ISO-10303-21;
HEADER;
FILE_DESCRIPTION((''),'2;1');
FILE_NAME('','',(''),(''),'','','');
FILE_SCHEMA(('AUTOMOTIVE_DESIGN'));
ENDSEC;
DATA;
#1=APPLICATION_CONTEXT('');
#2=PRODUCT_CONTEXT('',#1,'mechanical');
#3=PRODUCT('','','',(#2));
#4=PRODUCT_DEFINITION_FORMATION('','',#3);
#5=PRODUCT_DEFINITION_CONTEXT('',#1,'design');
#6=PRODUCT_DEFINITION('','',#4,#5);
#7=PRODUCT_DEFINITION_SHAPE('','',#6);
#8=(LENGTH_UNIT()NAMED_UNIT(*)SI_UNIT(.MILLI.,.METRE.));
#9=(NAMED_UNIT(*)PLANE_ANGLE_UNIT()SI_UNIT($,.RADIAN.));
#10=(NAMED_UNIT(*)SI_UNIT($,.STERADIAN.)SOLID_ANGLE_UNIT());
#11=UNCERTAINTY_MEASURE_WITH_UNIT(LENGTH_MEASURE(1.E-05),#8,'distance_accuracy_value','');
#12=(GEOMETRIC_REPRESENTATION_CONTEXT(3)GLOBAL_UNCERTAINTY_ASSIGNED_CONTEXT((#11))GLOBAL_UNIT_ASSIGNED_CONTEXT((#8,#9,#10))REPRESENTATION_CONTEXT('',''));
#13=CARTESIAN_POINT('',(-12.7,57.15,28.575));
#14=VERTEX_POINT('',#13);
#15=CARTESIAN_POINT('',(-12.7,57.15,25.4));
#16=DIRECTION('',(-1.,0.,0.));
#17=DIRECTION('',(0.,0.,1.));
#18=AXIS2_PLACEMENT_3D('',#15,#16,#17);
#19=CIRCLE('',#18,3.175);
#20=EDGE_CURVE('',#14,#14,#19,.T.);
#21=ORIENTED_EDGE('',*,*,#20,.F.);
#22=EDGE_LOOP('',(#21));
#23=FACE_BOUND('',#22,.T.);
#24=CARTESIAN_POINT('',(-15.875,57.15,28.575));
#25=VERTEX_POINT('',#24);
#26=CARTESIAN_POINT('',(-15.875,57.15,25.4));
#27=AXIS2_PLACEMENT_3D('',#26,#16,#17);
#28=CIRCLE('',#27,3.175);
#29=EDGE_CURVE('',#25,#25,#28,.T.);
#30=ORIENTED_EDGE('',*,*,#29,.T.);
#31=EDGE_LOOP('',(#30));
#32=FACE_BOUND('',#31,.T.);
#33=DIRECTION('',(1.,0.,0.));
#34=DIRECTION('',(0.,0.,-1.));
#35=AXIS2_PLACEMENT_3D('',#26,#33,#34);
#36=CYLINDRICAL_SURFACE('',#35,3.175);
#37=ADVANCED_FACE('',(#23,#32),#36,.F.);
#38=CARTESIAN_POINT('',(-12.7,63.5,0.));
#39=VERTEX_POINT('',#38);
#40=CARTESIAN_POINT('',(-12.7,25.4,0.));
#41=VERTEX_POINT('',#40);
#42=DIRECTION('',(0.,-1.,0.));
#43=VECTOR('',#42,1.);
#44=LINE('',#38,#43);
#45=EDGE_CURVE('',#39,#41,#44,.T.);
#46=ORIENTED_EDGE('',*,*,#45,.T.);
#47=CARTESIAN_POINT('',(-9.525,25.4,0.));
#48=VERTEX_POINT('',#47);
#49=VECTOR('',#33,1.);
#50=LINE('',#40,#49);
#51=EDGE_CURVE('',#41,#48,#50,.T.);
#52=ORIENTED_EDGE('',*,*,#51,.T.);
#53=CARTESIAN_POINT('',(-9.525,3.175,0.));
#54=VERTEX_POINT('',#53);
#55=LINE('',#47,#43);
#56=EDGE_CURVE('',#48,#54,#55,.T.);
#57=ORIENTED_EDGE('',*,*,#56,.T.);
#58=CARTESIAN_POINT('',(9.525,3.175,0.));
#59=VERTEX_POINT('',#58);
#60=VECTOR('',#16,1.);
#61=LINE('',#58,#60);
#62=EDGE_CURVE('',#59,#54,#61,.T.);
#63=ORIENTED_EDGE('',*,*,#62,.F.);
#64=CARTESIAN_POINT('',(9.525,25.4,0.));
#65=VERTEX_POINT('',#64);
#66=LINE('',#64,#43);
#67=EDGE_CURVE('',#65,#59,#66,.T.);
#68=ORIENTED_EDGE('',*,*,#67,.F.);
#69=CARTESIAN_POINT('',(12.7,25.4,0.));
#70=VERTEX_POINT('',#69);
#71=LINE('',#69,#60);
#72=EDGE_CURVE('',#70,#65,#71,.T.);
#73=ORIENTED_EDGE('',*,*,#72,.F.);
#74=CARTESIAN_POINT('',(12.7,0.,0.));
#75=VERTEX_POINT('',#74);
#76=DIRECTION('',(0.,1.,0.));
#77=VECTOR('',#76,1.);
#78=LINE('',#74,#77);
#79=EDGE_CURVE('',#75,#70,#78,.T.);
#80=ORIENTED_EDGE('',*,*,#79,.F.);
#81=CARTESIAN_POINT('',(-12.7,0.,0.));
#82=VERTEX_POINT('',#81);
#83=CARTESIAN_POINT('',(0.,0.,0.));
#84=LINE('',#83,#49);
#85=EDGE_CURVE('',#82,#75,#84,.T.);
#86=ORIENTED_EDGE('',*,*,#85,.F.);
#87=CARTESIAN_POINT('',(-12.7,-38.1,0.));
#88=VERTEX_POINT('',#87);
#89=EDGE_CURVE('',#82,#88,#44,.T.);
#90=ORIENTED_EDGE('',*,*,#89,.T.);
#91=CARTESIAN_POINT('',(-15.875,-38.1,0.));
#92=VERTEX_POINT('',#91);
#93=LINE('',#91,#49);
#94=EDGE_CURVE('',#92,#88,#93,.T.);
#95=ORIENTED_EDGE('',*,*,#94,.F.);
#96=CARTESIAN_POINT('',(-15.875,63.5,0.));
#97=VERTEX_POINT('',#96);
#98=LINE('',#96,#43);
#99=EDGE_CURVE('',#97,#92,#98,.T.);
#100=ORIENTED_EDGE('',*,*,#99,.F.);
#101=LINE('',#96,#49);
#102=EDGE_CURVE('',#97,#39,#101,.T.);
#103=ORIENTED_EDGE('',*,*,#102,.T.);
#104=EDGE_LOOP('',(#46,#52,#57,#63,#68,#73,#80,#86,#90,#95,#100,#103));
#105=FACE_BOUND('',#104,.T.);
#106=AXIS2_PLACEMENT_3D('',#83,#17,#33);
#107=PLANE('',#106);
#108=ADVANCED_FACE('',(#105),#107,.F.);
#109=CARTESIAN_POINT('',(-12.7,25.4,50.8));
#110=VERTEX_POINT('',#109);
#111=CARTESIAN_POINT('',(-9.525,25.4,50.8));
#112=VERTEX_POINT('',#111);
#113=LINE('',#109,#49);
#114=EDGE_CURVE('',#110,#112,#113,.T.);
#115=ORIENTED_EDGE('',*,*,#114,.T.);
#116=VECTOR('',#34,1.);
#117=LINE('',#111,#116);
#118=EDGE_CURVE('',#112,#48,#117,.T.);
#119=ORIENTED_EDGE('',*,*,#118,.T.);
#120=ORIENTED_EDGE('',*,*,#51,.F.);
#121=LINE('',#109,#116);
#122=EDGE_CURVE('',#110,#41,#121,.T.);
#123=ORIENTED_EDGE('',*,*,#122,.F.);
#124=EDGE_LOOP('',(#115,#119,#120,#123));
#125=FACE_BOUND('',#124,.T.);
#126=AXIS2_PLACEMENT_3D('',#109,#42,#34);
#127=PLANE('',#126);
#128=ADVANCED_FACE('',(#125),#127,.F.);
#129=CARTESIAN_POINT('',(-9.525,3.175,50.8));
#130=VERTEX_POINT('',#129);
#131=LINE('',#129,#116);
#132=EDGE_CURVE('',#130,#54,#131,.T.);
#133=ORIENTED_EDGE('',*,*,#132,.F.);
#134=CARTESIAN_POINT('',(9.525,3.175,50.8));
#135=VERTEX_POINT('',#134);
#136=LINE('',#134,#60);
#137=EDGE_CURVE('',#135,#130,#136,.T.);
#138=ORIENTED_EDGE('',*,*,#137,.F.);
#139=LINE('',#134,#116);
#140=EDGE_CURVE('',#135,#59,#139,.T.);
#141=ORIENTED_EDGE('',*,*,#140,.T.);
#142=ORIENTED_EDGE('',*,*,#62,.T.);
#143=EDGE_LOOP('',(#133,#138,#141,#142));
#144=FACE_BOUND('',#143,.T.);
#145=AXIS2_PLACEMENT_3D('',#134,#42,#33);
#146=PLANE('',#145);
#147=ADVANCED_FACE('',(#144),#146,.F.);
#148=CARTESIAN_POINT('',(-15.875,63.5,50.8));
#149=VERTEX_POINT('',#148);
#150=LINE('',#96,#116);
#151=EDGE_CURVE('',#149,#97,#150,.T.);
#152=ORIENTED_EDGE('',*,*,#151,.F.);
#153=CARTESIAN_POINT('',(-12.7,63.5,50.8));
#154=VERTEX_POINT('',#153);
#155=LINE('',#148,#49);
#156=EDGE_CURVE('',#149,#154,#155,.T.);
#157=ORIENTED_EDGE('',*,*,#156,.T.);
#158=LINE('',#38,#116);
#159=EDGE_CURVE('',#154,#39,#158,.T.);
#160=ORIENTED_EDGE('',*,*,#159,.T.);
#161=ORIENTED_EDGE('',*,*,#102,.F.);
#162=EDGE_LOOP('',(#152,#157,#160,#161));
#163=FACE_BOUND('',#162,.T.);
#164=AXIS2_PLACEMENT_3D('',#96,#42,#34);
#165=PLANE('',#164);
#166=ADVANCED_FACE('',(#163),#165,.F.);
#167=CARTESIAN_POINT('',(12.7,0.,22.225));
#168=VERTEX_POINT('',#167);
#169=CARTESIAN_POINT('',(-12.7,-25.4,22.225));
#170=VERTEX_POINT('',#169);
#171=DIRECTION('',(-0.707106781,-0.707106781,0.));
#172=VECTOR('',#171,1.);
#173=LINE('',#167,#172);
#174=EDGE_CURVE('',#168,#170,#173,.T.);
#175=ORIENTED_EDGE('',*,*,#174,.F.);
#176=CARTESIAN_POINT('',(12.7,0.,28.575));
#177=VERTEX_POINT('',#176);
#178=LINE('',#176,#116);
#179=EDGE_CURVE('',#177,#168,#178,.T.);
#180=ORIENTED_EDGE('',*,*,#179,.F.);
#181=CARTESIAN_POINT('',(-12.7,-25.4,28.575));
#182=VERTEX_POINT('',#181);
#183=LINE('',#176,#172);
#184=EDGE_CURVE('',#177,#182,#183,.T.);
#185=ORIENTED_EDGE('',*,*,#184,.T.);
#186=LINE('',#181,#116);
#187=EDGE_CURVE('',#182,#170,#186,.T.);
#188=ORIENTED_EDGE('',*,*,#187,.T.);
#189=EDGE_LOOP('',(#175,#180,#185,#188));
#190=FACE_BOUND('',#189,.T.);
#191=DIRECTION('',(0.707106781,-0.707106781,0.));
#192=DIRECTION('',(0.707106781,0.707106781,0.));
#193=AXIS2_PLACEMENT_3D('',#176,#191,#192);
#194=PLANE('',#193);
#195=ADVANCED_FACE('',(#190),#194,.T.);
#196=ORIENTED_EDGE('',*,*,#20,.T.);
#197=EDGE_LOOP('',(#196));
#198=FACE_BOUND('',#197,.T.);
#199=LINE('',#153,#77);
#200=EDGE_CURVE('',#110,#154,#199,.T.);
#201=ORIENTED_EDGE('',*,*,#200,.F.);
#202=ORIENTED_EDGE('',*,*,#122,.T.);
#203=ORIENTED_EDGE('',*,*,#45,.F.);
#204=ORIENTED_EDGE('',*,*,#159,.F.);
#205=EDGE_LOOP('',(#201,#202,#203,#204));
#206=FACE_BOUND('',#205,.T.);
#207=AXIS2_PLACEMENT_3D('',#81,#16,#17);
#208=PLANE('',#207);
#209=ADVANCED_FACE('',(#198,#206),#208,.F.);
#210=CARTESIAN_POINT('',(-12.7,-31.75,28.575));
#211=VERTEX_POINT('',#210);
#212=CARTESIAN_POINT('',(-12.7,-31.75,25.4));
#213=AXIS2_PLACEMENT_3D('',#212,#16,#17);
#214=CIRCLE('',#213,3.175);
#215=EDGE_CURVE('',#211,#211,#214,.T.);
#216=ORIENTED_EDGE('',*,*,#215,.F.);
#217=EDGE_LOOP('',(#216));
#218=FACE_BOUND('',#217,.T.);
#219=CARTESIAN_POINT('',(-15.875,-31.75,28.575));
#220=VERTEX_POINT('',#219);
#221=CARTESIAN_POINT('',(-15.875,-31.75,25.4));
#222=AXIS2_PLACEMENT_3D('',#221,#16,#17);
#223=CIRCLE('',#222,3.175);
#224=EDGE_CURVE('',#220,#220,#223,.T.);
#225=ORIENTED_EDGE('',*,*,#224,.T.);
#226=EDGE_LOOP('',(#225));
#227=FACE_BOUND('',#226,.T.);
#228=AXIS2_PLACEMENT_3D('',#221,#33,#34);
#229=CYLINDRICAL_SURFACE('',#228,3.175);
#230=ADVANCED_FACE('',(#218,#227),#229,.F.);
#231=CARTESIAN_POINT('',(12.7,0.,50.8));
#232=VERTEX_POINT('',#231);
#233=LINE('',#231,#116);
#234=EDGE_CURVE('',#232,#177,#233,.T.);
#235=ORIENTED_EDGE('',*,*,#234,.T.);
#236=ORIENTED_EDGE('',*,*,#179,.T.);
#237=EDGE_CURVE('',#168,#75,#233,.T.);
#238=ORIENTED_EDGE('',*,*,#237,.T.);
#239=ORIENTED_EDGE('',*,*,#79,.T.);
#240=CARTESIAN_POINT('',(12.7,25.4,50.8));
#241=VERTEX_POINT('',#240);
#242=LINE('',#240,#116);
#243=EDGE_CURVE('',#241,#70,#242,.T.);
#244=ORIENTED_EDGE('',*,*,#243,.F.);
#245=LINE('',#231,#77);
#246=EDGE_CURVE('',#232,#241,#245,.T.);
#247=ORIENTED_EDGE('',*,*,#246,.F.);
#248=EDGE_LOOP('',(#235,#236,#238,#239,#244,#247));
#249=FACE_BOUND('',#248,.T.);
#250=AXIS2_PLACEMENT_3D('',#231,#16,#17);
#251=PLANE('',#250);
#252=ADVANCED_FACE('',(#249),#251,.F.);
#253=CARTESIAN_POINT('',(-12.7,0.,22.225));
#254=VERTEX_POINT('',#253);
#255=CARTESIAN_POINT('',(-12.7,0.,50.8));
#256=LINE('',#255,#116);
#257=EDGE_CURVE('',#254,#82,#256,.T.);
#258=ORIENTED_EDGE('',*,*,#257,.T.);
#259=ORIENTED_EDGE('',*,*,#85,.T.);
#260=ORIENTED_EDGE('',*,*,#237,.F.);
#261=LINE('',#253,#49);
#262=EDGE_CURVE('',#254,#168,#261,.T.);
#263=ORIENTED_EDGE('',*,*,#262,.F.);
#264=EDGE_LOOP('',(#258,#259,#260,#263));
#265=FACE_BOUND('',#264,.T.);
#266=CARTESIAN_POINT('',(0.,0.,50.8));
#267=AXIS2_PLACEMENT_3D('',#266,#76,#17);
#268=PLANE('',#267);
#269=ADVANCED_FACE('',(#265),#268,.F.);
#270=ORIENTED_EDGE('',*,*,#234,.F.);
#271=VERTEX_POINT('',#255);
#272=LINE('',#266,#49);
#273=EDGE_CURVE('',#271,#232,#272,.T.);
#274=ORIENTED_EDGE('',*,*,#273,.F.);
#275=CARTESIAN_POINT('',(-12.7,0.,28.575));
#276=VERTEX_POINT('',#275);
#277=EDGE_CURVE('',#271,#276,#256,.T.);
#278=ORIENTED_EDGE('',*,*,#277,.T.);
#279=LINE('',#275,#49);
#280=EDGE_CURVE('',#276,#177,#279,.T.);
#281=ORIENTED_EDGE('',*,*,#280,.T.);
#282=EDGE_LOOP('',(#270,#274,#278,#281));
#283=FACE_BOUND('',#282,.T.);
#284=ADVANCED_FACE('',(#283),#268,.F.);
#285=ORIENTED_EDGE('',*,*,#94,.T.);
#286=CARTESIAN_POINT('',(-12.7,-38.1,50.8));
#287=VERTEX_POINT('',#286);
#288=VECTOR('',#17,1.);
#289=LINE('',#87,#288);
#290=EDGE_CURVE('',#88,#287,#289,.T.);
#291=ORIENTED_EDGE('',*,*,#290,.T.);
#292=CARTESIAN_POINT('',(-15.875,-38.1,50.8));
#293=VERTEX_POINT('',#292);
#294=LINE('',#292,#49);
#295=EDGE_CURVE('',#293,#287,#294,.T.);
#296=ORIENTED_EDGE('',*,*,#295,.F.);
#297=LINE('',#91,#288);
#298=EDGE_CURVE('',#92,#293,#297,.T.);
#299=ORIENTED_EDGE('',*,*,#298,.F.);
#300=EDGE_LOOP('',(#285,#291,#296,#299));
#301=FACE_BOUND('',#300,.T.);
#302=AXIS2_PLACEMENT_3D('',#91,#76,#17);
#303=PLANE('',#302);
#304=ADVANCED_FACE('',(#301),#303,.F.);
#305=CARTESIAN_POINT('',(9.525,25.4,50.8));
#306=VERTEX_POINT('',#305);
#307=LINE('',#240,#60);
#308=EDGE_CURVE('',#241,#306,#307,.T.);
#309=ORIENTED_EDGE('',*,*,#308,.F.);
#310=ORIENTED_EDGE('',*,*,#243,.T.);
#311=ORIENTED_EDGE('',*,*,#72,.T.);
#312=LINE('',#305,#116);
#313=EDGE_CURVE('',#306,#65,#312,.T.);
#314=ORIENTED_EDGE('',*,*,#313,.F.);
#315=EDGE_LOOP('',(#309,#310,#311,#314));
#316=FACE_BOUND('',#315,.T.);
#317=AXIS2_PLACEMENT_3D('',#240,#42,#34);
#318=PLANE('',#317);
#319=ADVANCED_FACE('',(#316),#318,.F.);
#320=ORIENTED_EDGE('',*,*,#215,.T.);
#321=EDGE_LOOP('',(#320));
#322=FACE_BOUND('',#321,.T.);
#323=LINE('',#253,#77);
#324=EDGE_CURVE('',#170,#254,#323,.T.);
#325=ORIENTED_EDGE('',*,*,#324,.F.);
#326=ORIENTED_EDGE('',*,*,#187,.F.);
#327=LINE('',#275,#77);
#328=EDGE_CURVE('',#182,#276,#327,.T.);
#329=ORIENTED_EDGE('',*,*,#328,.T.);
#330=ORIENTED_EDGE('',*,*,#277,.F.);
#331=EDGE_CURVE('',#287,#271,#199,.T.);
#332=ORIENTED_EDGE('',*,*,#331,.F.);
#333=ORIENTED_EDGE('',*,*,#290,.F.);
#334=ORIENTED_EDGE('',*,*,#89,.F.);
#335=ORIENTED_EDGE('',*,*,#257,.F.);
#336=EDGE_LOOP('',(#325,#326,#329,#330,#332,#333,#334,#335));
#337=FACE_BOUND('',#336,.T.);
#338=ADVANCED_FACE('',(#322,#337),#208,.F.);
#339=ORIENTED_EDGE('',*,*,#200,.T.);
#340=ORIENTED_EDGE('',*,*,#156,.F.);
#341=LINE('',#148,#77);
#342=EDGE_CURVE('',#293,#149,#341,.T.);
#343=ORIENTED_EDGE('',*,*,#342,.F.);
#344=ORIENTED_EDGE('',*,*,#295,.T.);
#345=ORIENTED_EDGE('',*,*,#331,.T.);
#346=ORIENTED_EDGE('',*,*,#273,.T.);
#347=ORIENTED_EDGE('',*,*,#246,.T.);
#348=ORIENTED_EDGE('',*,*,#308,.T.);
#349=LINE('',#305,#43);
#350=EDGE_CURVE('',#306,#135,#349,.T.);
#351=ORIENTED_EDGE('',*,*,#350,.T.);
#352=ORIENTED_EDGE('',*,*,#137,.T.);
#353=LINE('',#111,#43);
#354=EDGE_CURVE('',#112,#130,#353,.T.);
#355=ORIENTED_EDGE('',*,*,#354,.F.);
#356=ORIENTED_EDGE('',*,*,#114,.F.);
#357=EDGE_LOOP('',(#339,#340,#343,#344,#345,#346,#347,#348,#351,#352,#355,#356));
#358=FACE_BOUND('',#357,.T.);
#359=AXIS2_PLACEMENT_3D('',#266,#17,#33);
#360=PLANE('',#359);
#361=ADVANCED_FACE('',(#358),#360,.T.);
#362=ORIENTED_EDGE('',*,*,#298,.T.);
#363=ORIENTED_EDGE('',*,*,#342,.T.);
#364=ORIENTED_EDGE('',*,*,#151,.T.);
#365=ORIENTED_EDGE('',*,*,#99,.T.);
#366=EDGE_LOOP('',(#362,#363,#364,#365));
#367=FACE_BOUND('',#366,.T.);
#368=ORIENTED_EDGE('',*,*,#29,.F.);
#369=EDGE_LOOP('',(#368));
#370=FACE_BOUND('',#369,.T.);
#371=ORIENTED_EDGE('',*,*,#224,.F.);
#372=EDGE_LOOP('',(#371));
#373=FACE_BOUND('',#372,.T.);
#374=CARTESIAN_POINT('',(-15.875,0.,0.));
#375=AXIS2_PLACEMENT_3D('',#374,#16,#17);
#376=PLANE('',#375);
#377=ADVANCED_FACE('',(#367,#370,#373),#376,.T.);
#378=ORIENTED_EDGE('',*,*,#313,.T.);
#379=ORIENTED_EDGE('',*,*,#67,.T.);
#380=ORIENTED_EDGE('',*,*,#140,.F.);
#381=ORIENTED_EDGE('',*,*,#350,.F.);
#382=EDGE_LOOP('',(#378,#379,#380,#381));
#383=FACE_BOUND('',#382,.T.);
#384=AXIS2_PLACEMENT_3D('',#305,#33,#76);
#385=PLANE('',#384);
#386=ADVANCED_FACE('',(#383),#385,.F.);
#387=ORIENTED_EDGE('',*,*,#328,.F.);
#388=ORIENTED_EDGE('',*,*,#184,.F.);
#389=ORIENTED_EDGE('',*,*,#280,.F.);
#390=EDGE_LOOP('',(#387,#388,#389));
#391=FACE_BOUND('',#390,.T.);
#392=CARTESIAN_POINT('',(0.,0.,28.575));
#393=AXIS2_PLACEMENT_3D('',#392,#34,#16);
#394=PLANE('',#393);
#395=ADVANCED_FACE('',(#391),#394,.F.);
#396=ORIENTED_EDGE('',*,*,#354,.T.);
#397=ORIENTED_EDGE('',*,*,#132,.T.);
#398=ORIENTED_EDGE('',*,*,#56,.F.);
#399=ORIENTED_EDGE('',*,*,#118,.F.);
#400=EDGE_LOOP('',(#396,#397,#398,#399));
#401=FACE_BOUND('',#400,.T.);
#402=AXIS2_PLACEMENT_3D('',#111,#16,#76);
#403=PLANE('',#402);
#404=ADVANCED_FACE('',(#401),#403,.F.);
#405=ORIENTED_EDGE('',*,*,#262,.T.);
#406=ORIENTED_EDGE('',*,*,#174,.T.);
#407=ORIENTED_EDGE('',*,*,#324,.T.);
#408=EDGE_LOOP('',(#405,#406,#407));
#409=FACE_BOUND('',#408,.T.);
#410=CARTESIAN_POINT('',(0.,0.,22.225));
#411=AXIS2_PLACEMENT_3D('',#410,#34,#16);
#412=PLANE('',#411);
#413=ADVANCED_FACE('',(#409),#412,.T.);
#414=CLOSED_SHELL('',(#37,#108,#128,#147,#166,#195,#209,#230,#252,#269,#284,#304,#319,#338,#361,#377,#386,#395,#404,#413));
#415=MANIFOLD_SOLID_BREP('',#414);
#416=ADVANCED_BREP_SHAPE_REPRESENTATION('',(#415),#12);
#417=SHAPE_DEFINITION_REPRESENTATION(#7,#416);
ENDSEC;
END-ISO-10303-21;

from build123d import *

# Parameters (mm, degrees)
BOSS_EXTRUDE1_DEPTH      = 50.8
SKETCH3_W                = 50.8
SKETCH3_H                = 101.6
SKETCH3_R                = 3.175
BOSS_EXTRUDE2_DEPTH      = 3.175
BOSS_EXTRUDE3_DEPTH      = 3.175
BOSS_EXTRUDE3_DEPTH_BACK = 3.175


with BuildPart() as part:
    # Sketch1 → Boss-Extrude1 (new body)
    with BuildSketch(Plane.XY):
        Polygon((0, 0), (12.7, 0), (12.7, 25.4), (9.525, 25.4), (9.525, 3.175), (0, 3.175), align=None)
    extrude(amount=BOSS_EXTRUDE1_DEPTH)

    # Mirror1: part across plane


with BuildPart() as part_1:
    add(part.part)
    add(part.part.mirror(Plane(origin=(0, 3.175, 50.8), x_dir=(0, 0, 1), z_dir=(1, 0, 0))))

    # Sketch3 → Boss-Extrude2 (add)
    with BuildSketch(Plane.ZY.offset(12.7)):
        with Locations((25.4, 12.7)):
            Rectangle(SKETCH3_W, SKETCH3_H)
        with Locations((25.4, 57.15)):
            Circle(SKETCH3_R, mode=Mode.SUBTRACT)
        with Locations((25.4, -31.75)):
            Circle(SKETCH3_R, mode=Mode.SUBTRACT)
    extrude(amount=BOSS_EXTRUDE2_DEPTH)

    # Sketch4 → Boss-Extrude3 (add, two sides: drawn at the far end of the back side and taken through both)
    with BuildSketch(Plane(origin=(0, 0, 25.4), x_dir=(-1, 0, 0), z_dir=(0, 0, -1)).offset(-BOSS_EXTRUDE3_DEPTH_BACK)):
        Polygon((-12.7, 0), (12.7, -25.4), (12.7, 0), align=None)
    extrude(amount=BOSS_EXTRUDE3_DEPTH + BOSS_EXTRUDE3_DEPTH_BACK)


solid = part_1.part
